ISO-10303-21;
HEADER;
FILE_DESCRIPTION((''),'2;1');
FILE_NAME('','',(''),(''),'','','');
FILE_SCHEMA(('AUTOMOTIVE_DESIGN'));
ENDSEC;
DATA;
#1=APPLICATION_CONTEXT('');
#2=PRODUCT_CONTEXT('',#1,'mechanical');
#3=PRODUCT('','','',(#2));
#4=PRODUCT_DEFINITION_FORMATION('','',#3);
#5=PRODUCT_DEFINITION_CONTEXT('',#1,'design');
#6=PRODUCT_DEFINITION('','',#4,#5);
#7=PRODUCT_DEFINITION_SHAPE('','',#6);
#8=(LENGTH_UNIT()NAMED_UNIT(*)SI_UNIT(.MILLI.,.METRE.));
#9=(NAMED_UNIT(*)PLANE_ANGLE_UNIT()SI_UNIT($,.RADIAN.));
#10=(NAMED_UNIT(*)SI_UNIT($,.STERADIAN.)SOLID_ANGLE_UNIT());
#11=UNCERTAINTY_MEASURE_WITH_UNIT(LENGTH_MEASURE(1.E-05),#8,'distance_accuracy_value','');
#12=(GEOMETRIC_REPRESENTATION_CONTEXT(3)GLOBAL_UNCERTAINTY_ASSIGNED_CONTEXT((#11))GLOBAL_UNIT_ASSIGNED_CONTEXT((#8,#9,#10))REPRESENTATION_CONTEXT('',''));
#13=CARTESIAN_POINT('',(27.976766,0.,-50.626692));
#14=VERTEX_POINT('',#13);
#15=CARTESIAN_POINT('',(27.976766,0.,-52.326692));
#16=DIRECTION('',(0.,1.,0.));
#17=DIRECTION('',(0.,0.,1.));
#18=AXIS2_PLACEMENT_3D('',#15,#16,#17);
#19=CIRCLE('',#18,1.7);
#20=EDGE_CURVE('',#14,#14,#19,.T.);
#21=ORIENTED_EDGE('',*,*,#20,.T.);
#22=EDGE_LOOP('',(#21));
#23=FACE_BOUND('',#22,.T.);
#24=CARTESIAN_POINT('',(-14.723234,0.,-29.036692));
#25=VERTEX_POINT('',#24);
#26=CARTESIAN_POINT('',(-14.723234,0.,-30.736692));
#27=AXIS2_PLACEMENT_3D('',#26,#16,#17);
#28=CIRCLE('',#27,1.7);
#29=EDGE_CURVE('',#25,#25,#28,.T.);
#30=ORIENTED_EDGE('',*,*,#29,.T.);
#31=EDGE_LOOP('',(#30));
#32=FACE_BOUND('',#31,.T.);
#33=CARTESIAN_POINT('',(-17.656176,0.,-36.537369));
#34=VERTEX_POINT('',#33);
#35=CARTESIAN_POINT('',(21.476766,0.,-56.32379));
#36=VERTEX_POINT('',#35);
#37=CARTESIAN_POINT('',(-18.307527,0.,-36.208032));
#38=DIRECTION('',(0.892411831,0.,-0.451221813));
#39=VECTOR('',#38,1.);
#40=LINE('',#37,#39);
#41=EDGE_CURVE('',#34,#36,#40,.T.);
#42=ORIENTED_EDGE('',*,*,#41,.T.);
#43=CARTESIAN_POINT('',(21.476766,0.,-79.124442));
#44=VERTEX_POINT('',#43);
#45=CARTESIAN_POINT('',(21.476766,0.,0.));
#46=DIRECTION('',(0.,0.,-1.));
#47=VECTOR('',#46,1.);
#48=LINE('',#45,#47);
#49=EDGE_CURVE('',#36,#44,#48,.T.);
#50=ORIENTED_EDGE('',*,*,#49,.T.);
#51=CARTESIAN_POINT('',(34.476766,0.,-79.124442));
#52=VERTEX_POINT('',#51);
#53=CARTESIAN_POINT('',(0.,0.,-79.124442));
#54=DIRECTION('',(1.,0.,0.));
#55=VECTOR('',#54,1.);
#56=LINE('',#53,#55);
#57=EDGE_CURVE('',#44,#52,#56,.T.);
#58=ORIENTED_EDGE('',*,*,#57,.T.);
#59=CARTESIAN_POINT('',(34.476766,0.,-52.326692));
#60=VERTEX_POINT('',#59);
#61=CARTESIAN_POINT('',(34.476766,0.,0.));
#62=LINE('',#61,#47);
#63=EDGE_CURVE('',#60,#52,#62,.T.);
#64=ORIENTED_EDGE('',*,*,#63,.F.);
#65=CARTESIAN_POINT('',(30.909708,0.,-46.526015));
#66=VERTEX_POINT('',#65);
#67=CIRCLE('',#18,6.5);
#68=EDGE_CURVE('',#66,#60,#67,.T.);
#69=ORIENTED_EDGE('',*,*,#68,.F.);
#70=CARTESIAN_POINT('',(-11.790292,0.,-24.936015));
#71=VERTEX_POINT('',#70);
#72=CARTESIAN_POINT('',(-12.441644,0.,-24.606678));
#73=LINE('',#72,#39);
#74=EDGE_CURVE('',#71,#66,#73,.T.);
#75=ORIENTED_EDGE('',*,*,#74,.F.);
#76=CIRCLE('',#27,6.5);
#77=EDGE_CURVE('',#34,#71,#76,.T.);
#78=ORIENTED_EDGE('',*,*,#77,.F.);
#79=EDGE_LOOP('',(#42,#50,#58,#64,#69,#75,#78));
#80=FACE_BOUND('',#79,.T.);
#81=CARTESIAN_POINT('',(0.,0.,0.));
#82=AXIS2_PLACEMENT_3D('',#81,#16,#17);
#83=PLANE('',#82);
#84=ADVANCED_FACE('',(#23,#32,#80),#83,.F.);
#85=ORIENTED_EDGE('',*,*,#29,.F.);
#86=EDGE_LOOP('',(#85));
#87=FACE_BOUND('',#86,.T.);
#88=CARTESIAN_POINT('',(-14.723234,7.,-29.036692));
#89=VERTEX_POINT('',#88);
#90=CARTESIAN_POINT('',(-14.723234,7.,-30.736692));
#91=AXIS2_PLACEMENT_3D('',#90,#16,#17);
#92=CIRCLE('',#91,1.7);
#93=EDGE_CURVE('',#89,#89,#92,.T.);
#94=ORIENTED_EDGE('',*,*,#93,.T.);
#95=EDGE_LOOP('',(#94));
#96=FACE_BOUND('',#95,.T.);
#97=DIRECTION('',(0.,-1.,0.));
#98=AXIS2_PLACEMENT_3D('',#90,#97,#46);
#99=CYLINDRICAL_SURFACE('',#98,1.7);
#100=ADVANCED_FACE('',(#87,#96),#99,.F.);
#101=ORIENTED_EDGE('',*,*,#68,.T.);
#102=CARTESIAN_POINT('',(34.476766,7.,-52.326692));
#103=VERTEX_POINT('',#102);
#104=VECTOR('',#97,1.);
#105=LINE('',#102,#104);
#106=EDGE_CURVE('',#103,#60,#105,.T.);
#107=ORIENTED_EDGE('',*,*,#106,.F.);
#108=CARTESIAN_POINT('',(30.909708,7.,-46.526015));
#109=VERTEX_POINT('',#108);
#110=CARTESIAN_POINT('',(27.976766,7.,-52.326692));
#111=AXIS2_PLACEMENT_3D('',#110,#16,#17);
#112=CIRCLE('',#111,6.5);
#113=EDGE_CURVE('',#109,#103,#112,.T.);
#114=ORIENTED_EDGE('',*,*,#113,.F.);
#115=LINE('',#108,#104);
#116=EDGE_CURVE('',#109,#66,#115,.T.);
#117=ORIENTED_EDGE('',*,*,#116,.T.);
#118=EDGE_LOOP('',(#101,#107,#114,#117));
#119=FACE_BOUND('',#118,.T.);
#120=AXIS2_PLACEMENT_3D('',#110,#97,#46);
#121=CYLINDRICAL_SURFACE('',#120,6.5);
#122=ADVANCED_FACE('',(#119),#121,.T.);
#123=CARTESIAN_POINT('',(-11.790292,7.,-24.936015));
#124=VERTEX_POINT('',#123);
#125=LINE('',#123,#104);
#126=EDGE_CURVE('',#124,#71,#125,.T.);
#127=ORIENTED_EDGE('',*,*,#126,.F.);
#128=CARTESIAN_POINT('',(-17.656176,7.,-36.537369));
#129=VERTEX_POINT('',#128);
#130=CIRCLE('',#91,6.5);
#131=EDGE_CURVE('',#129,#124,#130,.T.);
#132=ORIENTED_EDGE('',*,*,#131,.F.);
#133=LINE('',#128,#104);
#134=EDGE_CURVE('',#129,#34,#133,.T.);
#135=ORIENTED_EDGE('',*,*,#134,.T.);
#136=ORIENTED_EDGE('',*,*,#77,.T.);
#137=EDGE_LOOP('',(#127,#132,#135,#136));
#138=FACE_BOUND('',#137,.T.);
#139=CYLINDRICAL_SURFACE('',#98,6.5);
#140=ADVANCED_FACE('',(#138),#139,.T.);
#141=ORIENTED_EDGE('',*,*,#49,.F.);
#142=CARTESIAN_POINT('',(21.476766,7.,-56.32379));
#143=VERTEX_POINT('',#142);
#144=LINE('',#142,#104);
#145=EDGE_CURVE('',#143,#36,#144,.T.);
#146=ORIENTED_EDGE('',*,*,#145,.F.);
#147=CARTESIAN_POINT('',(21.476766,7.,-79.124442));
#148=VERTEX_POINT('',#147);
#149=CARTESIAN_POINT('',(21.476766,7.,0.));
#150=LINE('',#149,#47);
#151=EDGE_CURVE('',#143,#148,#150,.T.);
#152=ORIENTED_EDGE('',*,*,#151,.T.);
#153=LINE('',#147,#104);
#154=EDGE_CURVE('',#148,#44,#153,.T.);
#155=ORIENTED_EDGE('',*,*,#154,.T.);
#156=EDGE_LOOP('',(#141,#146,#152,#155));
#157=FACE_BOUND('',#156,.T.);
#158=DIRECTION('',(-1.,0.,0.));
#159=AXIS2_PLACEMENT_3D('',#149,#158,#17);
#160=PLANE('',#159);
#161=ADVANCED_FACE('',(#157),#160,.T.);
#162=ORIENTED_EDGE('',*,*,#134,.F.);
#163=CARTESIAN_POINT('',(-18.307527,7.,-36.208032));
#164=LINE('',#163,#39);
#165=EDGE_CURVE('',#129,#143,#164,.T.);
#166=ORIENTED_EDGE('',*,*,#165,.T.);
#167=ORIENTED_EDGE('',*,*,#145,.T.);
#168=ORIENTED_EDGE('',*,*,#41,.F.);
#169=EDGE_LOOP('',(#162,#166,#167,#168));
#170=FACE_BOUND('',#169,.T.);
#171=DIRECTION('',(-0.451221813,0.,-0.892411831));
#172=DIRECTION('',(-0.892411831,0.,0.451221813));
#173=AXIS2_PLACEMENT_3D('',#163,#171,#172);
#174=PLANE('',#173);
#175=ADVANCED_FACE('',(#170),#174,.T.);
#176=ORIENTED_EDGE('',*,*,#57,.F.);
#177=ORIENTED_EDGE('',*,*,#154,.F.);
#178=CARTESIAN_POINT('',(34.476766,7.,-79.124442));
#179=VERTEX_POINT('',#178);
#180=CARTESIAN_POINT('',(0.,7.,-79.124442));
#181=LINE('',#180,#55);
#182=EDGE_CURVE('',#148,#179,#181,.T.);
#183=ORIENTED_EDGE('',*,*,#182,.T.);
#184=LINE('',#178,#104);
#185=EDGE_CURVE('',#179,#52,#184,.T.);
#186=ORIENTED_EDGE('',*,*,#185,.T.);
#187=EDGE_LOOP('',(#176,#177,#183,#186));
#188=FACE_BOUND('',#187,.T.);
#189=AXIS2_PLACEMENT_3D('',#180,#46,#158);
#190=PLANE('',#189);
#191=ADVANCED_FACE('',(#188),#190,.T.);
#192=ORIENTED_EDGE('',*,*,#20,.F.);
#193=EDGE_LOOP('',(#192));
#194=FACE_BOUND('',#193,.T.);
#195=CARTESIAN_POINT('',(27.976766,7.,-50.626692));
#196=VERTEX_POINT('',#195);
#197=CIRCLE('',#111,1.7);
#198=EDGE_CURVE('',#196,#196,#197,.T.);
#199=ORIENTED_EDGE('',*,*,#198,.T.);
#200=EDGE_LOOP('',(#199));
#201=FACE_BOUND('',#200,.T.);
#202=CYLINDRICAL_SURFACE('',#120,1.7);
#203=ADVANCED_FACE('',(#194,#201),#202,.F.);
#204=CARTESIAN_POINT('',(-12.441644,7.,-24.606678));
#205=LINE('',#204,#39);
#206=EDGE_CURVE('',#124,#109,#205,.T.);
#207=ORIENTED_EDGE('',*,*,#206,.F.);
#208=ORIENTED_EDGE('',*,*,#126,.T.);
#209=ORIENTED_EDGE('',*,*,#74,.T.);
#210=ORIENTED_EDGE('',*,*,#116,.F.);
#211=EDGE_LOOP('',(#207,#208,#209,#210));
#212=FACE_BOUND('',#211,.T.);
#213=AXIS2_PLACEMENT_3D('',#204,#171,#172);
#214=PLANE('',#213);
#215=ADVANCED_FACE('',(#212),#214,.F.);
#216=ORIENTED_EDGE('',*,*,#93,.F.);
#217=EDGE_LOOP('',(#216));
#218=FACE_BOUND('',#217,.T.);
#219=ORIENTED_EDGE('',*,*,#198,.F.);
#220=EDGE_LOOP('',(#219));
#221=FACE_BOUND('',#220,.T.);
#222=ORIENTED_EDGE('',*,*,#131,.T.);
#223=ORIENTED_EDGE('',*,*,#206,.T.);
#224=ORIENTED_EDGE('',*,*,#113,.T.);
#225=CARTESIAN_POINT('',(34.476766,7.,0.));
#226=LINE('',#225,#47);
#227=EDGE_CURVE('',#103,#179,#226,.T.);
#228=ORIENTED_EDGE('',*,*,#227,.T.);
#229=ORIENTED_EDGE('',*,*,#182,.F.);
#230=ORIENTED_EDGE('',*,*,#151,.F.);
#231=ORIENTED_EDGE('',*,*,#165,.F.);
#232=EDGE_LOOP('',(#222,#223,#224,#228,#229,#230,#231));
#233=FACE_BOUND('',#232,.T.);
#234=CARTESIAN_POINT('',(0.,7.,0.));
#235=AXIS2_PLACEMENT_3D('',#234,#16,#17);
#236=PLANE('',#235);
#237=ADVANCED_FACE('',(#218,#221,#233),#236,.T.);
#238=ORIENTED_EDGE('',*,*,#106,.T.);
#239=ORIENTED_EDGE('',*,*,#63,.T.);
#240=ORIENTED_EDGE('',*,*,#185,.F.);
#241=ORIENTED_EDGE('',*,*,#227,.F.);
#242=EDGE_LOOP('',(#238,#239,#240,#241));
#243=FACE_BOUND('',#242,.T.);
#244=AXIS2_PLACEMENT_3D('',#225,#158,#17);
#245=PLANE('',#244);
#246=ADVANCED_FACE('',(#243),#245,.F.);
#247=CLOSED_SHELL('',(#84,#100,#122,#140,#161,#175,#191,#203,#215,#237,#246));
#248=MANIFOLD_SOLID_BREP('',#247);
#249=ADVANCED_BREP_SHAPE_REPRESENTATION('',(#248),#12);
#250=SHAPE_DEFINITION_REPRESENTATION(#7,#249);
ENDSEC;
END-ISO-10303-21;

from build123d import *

# Parameters (mm, degrees)
SKETCH2_R           = 1.7
BOSS_EXTRUDE1_DEPTH = 7


with BuildPart() as part:
    # Sketch2 → Boss-Extrude1 (new body)
    with BuildSketch(Plane(origin=(0, 0, 0), x_dir=(1, 0, 0), z_dir=(0, 1, 0))):
        with BuildLine():
            Line((21.476765834, 56.323790381), (-17.656175951, 36.537368528))
            ThreePointArc((-17.656175951, 36.537368528), (-20.523911064, 27.803749844), (-11.79029238, 24.93601473))
            Line((-11.79029238, 24.93601473), (30.909707619, 46.52601473))
            ThreePointArc((30.909707619, 46.52601473), (33.5136477, 48.921851075), (34.476765834, 52.326691629))
            Line((34.476765834, 52.326691629), (34.476765834, 79.124442117))
            Line((34.476765834, 79.124442117), (21.476765834, 79.124442117))
            Line((21.476765834, 79.124442117), (21.476765834, 56.323790381))
        make_face()
        with Locations(Location((-14.723234165, 30.736691629, 0), (0, 0, 270))):
            Circle(SKETCH2_R, mode=Mode.SUBTRACT)
        with Locations(Location((27.976765834, 52.326691629, 0), (0, 0, 270))):
            Circle(SKETCH2_R, mode=Mode.SUBTRACT)
    extrude(amount=BOSS_EXTRUDE1_DEPTH)


solid = part.part
